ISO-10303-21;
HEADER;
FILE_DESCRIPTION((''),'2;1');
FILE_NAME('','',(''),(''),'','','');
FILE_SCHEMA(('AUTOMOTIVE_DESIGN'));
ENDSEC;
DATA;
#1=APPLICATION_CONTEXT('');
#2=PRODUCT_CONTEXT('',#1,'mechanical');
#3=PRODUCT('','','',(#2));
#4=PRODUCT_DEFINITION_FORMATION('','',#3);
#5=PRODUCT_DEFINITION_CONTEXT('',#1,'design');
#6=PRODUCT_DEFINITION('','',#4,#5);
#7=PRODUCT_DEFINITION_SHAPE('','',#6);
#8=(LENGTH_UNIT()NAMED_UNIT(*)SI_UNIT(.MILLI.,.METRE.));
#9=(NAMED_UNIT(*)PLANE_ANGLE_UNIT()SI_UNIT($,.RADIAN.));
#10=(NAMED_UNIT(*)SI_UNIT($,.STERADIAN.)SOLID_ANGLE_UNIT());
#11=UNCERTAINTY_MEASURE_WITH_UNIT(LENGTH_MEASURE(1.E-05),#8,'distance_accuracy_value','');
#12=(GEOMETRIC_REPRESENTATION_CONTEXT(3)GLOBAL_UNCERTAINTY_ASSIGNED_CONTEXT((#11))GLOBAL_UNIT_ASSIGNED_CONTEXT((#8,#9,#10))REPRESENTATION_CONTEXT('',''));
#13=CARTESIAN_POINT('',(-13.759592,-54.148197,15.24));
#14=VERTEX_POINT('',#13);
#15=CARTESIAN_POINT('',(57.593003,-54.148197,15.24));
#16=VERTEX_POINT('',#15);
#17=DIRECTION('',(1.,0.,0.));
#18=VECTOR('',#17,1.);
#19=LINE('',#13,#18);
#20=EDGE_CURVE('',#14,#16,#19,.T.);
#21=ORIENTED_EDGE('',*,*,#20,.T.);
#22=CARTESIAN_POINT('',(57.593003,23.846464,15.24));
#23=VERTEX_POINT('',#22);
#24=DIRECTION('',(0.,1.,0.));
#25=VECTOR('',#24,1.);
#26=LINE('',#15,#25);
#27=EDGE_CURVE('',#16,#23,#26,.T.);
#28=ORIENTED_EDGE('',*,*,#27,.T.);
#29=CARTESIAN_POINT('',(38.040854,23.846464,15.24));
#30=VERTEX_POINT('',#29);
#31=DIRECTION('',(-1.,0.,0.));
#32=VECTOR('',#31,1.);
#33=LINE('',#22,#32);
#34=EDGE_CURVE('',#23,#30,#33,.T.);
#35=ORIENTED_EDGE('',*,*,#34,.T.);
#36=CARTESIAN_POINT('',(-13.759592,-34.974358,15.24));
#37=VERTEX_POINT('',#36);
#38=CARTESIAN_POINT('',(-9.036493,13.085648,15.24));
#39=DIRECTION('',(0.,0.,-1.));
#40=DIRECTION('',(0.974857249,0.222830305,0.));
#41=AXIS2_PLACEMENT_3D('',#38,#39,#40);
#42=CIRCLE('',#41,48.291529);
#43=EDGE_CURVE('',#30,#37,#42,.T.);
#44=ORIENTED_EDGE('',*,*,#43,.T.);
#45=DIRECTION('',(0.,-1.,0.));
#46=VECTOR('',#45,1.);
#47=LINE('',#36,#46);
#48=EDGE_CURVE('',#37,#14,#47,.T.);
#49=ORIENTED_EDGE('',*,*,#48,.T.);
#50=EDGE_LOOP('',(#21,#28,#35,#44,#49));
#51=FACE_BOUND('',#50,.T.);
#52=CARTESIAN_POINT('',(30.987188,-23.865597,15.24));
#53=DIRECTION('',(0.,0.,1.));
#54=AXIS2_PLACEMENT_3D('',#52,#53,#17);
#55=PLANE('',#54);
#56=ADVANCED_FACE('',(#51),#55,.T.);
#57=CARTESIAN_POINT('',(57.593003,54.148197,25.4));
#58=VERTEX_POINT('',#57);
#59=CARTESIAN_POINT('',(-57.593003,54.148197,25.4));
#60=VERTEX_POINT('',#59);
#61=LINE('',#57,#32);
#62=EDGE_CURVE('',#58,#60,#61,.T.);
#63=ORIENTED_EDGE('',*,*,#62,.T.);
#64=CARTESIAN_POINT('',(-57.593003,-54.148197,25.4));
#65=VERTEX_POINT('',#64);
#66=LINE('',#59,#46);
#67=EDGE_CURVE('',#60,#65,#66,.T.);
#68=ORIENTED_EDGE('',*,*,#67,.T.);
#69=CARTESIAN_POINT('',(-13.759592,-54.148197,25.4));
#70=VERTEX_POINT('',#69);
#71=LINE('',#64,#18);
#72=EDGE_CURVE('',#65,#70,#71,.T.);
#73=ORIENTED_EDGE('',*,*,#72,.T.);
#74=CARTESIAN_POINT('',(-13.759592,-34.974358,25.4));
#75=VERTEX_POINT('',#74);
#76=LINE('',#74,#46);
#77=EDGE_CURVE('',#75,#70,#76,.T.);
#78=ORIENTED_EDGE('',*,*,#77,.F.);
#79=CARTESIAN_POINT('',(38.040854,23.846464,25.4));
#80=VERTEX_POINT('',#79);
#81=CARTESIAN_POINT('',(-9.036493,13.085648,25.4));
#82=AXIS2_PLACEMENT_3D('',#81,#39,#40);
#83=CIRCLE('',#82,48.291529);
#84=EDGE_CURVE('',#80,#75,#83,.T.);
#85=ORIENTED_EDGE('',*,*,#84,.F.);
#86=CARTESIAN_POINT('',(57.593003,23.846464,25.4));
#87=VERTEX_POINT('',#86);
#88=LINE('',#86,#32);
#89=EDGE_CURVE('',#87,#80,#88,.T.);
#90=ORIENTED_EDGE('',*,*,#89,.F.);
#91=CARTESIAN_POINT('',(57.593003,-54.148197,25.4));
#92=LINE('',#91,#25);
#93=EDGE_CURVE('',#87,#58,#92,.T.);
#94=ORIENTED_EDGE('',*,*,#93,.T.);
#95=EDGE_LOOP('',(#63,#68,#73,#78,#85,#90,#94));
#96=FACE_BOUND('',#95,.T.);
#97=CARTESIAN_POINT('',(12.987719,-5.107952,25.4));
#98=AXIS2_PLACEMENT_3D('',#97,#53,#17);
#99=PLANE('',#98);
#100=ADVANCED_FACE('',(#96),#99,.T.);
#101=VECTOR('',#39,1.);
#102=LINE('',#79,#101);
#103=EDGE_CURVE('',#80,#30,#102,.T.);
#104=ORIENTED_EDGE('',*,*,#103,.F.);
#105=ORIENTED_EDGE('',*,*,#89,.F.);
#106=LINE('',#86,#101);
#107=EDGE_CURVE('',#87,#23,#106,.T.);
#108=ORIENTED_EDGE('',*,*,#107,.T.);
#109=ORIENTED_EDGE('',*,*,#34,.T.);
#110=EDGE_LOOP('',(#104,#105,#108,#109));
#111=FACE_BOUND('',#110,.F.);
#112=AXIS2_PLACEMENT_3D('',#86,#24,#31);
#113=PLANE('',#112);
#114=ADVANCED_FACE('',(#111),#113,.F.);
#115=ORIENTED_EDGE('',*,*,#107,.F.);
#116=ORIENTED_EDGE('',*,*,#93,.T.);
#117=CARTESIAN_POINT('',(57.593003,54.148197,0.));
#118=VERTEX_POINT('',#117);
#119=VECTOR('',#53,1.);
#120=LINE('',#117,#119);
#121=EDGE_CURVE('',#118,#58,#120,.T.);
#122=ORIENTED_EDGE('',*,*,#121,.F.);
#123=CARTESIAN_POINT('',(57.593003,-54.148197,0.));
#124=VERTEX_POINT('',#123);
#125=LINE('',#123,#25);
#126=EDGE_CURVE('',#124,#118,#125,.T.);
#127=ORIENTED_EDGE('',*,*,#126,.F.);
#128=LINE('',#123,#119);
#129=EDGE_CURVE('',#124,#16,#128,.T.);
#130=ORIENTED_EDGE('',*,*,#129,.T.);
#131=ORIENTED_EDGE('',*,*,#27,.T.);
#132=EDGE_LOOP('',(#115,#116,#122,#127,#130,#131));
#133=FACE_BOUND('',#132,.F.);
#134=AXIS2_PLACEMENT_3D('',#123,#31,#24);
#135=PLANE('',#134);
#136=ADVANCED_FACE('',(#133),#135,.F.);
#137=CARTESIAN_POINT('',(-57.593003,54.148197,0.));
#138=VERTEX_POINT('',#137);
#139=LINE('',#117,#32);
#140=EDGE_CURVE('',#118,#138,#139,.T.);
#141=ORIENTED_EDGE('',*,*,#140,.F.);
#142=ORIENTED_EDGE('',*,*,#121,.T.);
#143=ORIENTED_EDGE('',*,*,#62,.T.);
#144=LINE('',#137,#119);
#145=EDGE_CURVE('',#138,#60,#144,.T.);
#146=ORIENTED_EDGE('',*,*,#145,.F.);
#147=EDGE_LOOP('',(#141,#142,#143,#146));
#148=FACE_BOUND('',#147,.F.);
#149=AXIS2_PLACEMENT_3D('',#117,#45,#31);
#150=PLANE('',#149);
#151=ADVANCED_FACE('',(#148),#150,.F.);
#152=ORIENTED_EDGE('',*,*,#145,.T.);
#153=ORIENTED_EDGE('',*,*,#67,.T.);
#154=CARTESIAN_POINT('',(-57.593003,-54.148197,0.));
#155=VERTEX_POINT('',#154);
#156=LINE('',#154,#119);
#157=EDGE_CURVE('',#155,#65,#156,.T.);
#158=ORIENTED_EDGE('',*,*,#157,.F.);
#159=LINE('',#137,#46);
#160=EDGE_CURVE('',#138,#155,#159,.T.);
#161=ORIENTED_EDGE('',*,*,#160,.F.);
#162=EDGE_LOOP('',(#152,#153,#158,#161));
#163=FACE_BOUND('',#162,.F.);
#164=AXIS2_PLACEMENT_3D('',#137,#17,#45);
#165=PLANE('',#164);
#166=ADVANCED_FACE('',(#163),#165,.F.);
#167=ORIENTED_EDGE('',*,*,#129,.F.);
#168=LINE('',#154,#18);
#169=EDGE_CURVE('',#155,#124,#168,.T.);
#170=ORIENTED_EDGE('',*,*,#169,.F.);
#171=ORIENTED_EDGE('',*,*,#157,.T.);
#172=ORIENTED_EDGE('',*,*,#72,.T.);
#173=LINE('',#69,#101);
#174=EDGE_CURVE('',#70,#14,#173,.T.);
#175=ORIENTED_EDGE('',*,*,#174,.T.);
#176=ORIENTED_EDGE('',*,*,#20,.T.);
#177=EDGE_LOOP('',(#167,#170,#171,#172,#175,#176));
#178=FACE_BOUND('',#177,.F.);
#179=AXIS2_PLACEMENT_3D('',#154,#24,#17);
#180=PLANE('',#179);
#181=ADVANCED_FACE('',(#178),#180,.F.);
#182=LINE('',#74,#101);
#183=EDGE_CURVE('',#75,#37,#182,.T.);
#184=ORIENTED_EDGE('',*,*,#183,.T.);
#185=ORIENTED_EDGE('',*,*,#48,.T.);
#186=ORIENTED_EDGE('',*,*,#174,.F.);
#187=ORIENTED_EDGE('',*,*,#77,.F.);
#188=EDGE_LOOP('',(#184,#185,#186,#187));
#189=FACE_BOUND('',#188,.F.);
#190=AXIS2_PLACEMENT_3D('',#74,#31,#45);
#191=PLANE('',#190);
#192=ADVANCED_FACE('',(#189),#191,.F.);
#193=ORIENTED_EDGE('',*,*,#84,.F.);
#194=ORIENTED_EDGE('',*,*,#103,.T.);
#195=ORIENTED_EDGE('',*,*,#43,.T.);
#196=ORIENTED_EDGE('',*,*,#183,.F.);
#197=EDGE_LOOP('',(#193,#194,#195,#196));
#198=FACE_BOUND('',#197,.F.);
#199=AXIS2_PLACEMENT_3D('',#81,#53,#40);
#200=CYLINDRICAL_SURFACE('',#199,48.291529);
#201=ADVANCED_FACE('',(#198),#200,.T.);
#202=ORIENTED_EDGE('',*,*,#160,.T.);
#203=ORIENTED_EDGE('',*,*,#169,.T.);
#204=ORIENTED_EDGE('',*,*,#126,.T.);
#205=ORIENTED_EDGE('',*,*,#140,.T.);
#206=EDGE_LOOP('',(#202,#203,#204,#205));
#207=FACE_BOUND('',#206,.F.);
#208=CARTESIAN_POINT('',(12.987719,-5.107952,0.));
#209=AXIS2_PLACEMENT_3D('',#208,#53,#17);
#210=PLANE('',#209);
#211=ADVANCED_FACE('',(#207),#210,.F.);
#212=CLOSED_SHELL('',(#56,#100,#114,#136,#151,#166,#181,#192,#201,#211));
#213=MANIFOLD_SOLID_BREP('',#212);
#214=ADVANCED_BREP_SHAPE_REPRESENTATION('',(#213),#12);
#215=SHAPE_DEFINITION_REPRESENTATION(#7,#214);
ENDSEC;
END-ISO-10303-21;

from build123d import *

# Parameters (mm, degrees)
F1_DEPTH = 25.4
F3_DEPTH = 10.16


with BuildPart() as f1:
    # F0 (on Top) → F1 (new body)
    with BuildSketch(Plane.XY):
        with BuildLine():
            Line((-27.46994, -16.17296), (-27.46994, -54.148197))
            Line((-27.46994, -54.148197), (-13.759592, -54.148197))
            Line((-13.759592, -54.148197), (-13.759592, -34.974358))
            ThreePointArc((-13.759592, -34.974358), (27.204959, -18.830319), (38.040854, 23.846464))
            Line((38.040854, 23.846464), (57.593003, 23.846464))
            Line((57.593003, 23.846464), (57.593003, 37.556812))
            Line((57.593003, 37.556812), (15.397504, 37.556812))
            ThreePointArc((15.397504, 37.556812), (17.995409, -8.481326), (-27.46994, -16.17296))
        make_face()
        with BuildLine():
            Line((-13.759592, -34.974358), (-13.759592, -54.148197))
            Line((-13.759592, -54.148197), (57.593003, -54.148197))
            Line((57.593003, -54.148197), (57.593003, 23.846464))
            Line((57.593003, 23.846464), (38.040854, 23.846464))
            ThreePointArc((38.040854, 23.846464), (27.204959, -18.830319), (-13.759592, -34.974358))
        make_face()
        with BuildLine():
            Line((-57.593003, 54.148197), (-57.593003, -54.148197))
            Line((-57.593003, -54.148197), (-27.46994, -54.148197))
            Line((-27.46994, -54.148197), (-27.46994, -16.17296))
            ThreePointArc((-27.46994, -16.17296), (17.995409, -8.481326), (15.397504, 37.556812))
            Line((15.397504, 37.556812), (57.593003, 37.556812))
            Line((57.593003, 37.556812), (57.593003, 54.148197))
            Line((57.593003, 54.148197), (-57.593003, 54.148197))
        make_face()
    extrude(amount=F1_DEPTH)

    # F2 (on face) → F3 (cut)
    with BuildSketch(Plane.XY.offset(25.4)):
        with BuildLine():
            ThreePointArc((38.040854, 23.846464), (27.204959, -18.830319), (-13.759592, -34.974358))
            Line((-13.759592, -34.974358), (-13.759592, -54.148197))
            Line((-13.759592, -54.148197), (57.593003, -54.148197))
            Line((57.593003, -54.148197), (57.593003, 23.846464))
            Line((57.593003, 23.846464), (38.040854, 23.846464))
        make_face()
    extrude(amount=-F3_DEPTH, mode=Mode.SUBTRACT)


solid = f1.part
